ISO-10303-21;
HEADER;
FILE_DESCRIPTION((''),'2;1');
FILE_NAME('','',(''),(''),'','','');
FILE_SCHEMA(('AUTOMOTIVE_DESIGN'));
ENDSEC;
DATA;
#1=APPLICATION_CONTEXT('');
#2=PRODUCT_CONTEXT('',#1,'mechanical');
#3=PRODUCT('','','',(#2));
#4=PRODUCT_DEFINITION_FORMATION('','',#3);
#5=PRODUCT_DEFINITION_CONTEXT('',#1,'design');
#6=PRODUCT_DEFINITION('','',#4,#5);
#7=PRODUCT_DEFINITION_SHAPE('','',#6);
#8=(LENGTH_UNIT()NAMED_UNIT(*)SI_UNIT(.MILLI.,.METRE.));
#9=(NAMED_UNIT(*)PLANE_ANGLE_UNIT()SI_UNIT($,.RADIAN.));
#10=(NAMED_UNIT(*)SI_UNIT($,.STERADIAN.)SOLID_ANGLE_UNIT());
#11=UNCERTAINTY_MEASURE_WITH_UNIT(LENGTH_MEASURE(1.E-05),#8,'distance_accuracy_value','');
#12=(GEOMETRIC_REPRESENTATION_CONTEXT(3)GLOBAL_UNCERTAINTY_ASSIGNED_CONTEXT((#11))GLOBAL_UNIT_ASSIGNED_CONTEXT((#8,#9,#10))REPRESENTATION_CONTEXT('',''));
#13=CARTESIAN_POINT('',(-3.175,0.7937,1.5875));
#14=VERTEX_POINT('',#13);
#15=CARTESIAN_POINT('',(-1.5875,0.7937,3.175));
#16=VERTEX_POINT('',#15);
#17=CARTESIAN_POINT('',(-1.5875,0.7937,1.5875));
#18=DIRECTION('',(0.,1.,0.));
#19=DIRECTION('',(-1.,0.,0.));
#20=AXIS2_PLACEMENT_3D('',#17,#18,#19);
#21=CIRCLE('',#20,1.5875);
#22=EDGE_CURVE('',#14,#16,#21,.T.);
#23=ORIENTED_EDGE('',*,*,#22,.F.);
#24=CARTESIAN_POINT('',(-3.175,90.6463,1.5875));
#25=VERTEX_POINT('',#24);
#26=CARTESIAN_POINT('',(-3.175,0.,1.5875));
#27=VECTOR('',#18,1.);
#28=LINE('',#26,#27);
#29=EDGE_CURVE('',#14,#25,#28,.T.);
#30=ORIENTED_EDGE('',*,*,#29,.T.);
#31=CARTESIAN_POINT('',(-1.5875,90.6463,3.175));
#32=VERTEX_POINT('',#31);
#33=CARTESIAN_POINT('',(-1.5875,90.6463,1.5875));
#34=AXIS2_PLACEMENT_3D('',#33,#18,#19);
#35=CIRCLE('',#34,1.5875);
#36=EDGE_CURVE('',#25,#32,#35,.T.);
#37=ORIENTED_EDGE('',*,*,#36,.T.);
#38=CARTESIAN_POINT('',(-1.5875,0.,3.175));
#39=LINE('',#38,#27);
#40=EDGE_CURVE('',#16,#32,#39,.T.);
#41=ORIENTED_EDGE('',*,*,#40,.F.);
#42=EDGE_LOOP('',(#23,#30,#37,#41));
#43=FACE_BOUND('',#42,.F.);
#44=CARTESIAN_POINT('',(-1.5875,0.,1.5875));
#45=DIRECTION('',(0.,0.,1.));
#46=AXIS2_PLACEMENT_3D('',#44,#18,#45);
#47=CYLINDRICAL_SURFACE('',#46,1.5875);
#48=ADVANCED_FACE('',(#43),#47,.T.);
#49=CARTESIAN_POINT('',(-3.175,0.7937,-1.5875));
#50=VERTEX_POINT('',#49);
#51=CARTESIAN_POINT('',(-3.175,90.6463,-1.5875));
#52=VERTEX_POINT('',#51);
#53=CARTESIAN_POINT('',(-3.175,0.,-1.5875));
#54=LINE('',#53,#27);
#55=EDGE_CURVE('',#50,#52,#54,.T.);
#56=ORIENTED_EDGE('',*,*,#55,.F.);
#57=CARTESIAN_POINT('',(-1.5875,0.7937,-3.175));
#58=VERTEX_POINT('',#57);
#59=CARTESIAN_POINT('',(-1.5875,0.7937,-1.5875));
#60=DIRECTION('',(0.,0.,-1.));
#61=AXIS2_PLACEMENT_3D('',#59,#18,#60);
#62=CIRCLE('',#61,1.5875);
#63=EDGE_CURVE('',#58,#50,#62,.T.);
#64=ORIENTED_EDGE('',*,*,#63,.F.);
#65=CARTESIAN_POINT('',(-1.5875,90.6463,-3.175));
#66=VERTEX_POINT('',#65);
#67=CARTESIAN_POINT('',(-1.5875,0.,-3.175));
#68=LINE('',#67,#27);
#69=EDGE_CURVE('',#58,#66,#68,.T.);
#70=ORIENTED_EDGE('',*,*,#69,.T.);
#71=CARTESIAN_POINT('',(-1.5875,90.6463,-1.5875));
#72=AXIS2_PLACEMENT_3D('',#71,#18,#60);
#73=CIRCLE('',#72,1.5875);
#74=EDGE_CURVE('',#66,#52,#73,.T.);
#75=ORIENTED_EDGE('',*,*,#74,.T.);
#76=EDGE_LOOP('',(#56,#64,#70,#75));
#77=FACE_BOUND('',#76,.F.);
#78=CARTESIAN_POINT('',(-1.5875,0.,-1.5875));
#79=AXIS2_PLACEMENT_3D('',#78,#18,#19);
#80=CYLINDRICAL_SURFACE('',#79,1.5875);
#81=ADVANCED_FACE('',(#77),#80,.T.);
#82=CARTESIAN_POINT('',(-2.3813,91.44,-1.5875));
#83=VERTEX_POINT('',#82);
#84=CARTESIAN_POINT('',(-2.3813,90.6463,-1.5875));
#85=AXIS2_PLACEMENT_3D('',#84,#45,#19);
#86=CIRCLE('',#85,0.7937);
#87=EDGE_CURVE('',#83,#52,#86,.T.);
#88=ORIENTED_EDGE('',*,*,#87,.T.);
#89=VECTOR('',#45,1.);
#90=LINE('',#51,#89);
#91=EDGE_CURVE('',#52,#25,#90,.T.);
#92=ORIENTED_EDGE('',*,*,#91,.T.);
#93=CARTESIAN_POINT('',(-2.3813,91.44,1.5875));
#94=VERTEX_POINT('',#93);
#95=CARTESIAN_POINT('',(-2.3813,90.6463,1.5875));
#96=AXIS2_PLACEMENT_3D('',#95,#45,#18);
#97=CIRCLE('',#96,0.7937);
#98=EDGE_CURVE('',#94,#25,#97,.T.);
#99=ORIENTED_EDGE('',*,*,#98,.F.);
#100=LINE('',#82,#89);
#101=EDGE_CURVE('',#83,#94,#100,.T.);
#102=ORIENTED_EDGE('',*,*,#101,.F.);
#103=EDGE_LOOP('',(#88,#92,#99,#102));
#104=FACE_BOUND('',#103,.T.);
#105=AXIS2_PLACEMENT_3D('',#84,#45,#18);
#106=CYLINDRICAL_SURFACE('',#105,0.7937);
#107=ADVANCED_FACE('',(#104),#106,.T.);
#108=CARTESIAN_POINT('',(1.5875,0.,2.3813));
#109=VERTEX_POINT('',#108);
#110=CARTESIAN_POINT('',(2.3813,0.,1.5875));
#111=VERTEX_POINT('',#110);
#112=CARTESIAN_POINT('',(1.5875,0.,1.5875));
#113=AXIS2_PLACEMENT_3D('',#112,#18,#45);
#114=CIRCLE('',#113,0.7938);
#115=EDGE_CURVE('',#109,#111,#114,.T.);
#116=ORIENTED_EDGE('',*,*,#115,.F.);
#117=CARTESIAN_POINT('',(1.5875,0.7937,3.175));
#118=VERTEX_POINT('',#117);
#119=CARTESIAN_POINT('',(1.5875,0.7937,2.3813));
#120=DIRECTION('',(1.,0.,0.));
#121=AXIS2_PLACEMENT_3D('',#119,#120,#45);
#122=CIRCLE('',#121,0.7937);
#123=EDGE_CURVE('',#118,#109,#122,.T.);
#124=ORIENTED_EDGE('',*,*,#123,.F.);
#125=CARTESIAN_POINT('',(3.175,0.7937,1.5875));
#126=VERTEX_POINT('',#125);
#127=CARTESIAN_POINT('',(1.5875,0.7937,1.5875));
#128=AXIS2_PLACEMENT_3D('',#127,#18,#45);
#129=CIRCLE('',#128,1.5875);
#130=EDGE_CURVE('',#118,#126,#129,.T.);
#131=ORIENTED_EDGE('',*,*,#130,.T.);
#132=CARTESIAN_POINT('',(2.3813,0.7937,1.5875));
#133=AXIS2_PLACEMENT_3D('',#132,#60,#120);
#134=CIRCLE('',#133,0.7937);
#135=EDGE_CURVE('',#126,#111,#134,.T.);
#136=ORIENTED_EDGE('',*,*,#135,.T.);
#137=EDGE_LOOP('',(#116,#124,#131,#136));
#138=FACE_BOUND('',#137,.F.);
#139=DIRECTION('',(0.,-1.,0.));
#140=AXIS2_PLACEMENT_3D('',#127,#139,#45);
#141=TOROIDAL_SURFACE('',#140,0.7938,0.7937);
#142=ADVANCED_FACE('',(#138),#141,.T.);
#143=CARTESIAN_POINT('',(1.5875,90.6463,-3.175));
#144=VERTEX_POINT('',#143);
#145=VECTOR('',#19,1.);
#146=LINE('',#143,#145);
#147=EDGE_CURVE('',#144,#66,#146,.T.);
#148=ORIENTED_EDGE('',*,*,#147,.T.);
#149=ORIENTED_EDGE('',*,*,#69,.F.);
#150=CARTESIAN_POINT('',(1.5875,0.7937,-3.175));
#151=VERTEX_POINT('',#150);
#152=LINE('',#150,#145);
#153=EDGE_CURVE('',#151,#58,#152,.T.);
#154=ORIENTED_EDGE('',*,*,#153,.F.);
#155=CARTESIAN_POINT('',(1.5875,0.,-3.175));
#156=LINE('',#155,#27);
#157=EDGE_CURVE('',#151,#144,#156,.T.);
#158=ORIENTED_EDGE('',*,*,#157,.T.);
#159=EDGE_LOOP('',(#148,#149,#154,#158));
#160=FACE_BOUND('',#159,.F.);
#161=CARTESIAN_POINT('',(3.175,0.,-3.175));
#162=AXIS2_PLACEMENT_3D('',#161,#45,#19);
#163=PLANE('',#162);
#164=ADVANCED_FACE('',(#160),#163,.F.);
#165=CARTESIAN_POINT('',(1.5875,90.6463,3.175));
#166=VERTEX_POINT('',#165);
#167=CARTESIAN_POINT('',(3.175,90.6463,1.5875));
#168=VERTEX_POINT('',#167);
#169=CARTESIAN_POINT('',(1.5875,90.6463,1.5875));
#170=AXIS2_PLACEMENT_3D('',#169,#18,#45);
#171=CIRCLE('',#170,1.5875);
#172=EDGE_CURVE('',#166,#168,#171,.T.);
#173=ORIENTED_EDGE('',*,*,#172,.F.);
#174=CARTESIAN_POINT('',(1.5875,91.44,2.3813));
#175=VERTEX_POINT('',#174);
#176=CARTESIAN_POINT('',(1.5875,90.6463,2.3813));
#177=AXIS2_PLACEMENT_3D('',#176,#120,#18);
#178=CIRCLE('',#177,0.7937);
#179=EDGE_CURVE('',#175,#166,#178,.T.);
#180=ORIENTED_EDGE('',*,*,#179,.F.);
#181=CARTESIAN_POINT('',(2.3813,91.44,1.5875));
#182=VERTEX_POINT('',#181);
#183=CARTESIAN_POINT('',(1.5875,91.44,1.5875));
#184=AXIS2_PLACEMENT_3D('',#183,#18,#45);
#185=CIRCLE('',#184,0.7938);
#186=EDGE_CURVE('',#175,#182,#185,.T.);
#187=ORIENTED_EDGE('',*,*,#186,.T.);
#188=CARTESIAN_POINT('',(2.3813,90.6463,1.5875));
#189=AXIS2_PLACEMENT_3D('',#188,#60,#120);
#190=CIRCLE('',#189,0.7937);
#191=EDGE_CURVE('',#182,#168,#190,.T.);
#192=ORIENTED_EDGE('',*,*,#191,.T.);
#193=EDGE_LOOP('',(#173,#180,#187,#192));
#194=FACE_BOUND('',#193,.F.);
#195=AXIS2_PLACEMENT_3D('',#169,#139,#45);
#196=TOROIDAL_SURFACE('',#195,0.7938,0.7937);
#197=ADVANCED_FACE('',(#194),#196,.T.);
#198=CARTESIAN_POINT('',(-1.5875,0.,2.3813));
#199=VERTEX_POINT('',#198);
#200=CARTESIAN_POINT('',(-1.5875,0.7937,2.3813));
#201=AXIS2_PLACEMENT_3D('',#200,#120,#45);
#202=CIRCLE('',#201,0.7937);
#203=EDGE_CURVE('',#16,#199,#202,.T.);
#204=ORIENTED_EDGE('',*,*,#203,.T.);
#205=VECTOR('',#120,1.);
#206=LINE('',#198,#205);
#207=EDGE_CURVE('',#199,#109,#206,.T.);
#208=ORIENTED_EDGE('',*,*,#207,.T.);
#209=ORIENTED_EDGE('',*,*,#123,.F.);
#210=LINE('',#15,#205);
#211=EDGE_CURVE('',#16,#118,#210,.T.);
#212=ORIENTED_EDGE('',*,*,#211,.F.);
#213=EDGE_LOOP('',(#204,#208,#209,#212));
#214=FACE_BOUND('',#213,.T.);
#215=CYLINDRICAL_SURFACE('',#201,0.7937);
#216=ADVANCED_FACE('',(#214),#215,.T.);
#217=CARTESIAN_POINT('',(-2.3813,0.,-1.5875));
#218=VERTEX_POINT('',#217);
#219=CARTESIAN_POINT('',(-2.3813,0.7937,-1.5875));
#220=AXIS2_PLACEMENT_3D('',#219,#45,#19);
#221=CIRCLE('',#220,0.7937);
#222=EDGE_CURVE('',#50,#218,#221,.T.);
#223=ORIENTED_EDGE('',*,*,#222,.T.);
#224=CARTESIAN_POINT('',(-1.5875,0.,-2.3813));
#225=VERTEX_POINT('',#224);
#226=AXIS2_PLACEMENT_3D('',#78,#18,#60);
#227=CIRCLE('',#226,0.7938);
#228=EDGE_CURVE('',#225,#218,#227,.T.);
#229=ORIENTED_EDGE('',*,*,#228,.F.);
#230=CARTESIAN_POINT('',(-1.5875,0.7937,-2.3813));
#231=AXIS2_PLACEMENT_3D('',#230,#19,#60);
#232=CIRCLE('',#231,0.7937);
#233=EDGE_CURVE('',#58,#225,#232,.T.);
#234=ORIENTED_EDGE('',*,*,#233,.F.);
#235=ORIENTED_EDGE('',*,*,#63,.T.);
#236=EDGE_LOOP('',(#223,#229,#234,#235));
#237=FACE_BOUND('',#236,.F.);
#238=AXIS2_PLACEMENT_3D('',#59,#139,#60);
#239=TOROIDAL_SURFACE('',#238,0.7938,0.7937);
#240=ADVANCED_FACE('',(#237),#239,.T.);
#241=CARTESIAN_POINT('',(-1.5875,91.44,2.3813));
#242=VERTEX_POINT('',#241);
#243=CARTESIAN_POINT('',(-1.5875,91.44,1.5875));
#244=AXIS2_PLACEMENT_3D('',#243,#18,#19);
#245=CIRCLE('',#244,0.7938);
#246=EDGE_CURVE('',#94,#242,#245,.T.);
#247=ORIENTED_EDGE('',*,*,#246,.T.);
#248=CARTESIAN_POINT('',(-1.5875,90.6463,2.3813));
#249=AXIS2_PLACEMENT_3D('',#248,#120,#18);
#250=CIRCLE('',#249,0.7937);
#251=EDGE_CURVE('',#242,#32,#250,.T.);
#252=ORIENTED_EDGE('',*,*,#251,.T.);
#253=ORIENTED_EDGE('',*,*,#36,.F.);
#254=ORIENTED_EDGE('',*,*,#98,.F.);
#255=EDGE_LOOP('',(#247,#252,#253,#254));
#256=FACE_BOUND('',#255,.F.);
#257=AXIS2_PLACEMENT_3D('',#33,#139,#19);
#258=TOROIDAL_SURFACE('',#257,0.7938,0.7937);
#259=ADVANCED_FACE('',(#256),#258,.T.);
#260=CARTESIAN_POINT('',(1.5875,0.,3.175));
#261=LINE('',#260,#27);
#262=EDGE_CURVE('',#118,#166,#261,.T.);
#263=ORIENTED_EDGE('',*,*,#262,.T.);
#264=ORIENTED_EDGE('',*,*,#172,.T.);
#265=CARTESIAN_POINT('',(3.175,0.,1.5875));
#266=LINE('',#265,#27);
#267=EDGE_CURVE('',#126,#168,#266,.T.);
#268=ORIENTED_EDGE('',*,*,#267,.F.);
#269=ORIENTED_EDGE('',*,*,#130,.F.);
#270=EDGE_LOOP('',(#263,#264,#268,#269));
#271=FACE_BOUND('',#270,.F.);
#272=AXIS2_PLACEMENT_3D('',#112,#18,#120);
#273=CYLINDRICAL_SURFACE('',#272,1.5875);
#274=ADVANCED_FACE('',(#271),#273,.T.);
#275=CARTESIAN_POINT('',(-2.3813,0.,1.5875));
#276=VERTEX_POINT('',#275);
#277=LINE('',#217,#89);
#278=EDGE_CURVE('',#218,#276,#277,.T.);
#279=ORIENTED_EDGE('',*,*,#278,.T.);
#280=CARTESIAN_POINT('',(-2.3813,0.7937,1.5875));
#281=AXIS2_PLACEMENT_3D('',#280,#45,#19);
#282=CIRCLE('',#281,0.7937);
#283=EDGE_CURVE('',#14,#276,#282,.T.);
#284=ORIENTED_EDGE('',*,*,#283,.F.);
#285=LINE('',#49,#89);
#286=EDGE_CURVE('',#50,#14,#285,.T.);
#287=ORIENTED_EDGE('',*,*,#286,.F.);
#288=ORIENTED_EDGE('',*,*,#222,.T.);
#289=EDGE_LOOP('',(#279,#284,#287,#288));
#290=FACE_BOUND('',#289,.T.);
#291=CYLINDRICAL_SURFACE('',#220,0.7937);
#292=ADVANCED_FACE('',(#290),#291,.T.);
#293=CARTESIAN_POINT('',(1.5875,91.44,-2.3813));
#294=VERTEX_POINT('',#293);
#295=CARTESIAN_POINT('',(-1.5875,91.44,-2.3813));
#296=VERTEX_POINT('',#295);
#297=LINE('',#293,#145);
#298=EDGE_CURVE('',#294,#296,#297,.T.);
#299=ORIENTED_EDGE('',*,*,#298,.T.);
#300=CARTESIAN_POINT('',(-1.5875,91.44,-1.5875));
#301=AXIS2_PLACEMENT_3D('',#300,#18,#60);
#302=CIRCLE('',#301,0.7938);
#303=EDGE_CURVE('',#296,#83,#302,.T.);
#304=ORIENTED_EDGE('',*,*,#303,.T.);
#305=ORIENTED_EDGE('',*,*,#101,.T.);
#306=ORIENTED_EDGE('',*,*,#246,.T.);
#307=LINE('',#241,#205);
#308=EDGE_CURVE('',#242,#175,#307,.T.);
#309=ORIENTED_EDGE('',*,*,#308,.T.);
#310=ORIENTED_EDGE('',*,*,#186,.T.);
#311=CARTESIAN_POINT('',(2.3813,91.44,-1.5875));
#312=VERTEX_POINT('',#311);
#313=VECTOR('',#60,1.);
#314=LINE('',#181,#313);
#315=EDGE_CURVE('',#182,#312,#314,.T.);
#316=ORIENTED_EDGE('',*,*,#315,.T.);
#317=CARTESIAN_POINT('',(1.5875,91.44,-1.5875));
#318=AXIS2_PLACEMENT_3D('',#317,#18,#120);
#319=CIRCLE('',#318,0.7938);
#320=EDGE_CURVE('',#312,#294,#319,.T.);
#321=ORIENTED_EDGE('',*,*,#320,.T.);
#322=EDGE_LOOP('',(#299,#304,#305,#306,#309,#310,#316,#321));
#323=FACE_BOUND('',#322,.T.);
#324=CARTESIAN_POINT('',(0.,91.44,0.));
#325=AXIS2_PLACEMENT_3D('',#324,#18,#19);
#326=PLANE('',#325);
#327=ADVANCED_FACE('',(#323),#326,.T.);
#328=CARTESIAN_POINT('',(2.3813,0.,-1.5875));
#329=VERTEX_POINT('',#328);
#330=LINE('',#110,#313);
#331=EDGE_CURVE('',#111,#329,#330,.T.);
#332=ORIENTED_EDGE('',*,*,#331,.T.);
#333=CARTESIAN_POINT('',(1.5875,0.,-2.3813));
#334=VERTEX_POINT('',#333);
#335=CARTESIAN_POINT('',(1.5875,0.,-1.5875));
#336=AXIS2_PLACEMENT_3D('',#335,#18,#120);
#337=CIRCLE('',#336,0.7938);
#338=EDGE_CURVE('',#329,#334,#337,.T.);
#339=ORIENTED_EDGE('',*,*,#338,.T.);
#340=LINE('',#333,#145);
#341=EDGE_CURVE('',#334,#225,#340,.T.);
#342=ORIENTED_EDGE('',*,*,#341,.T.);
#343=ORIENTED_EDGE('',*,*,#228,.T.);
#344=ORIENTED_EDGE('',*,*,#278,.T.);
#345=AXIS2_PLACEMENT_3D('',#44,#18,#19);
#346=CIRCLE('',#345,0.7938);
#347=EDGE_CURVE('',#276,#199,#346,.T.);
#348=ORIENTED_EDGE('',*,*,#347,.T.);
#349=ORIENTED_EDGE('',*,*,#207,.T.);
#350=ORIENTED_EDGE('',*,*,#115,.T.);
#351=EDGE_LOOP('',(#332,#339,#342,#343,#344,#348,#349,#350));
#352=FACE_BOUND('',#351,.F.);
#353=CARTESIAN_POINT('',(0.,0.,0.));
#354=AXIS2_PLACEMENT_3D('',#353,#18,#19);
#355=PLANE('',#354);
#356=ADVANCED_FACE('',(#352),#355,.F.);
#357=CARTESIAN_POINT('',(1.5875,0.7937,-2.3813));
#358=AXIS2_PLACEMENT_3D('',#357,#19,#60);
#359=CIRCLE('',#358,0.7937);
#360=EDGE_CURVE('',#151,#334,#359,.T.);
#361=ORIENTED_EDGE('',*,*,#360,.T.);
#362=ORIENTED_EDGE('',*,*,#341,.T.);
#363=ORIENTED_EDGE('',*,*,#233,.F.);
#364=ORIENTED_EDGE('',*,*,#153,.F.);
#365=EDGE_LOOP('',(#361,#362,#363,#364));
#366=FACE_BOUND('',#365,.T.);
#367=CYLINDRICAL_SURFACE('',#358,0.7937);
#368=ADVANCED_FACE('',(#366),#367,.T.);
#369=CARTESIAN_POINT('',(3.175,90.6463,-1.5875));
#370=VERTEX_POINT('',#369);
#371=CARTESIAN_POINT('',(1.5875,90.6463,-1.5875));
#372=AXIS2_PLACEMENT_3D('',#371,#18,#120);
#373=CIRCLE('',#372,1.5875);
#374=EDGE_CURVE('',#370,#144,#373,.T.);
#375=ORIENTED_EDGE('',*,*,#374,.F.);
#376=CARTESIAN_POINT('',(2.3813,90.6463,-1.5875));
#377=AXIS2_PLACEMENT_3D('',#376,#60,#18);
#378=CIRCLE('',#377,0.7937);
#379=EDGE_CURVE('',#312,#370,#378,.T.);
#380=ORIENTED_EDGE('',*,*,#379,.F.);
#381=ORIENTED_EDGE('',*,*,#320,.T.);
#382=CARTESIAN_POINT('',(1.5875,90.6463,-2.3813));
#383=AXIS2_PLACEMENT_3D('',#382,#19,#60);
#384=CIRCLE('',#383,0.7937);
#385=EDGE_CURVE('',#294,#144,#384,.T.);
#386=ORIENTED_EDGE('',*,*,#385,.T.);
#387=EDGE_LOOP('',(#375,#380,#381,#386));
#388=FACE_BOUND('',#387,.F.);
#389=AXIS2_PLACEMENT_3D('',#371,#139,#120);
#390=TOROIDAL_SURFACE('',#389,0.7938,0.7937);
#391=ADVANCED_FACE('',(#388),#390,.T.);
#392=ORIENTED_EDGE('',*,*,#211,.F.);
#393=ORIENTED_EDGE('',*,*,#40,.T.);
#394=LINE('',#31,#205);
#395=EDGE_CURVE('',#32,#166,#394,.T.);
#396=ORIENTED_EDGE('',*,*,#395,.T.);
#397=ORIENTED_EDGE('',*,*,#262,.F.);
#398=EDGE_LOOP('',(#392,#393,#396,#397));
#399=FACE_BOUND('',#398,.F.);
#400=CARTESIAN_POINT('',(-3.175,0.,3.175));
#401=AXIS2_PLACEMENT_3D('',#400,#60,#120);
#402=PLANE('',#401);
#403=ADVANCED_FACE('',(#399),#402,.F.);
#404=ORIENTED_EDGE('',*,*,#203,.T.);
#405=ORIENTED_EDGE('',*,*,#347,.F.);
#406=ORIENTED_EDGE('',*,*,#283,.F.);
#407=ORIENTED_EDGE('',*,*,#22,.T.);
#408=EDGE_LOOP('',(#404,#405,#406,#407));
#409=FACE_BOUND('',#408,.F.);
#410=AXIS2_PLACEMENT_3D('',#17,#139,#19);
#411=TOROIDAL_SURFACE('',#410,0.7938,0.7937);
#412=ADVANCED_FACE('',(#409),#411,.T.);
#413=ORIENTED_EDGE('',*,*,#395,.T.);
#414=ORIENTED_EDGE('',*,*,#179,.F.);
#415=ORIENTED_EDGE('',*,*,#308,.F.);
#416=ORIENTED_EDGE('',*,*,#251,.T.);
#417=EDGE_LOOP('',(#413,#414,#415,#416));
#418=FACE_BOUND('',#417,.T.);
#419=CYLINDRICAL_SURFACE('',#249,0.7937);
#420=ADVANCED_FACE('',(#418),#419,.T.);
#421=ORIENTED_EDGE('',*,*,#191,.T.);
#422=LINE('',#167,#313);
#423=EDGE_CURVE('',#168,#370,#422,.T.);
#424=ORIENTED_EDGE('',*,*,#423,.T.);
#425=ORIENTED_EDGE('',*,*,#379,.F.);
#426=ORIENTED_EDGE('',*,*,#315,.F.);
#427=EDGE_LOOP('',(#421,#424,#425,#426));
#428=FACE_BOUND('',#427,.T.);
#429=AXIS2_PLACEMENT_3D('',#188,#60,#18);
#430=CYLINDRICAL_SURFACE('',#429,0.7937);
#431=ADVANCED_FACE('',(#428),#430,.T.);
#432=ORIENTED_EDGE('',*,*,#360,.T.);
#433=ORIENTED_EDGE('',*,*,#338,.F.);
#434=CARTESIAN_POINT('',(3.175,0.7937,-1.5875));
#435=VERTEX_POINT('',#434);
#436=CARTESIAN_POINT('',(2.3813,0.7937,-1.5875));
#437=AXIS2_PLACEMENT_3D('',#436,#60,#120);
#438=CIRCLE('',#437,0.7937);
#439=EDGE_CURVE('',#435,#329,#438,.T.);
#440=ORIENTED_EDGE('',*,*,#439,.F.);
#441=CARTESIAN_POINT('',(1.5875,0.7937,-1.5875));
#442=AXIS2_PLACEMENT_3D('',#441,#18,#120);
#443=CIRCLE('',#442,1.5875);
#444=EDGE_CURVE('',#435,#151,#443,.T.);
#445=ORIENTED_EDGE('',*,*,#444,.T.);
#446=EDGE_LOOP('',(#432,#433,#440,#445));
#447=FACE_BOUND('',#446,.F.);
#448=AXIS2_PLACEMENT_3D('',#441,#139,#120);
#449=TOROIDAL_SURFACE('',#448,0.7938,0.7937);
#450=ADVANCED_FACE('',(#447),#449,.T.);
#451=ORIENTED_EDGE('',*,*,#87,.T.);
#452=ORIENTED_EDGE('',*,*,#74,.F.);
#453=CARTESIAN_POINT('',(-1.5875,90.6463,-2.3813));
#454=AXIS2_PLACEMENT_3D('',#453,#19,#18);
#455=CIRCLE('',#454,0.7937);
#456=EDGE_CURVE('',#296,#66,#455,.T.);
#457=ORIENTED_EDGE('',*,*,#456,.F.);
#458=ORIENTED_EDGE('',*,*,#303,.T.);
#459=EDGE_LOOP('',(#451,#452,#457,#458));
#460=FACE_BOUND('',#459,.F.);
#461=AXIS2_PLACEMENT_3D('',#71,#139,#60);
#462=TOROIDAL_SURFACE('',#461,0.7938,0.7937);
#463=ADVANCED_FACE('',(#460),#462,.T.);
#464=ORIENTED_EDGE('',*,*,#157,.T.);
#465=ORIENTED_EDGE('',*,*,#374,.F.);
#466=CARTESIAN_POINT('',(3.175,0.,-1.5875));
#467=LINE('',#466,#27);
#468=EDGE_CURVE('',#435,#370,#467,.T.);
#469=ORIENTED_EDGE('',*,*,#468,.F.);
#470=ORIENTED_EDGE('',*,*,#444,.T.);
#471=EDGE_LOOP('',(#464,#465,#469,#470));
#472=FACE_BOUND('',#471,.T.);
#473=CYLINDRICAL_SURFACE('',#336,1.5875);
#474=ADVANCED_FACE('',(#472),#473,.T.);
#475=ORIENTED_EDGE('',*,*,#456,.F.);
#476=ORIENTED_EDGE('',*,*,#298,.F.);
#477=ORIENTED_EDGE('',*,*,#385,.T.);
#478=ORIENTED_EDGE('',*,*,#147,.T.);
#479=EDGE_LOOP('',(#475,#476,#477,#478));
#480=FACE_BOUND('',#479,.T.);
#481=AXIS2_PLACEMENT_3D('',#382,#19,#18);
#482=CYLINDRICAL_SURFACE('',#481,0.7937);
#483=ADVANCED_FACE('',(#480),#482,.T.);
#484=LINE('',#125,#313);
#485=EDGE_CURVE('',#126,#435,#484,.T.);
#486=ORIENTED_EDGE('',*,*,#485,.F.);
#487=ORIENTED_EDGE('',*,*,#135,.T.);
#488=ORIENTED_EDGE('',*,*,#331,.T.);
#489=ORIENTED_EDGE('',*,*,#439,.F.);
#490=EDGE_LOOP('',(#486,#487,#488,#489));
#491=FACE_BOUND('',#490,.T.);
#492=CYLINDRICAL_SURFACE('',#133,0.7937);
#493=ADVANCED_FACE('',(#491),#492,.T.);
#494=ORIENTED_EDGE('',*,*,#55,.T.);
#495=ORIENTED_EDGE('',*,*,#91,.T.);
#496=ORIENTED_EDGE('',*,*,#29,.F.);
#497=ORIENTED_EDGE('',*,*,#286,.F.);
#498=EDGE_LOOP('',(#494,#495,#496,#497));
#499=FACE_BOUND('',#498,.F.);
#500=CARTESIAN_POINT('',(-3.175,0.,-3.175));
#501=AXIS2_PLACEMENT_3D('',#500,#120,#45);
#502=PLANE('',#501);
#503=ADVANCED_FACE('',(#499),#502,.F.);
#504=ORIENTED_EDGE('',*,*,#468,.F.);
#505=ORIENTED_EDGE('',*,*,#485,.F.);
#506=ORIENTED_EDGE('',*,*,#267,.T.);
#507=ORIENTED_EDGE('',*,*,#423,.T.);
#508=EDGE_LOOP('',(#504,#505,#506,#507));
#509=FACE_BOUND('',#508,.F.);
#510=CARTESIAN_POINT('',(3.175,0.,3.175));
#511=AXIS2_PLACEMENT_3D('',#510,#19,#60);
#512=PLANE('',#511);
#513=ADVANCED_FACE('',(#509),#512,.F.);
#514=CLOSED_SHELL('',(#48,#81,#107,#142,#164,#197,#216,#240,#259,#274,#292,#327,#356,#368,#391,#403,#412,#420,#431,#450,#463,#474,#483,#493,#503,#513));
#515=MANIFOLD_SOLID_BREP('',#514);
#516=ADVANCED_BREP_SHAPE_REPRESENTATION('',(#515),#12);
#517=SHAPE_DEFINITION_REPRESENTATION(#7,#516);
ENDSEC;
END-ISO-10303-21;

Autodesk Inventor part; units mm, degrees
ref_plane "YZ Plane" through (0, 0, 0) normal (1, 0, 0) x (0, 1, 0)
ref_plane "XZ Plane" through (0, 0, 0) normal (0, 1, 0) x (-1, 0, 0)
ref_plane "XY Plane" through (0, 0, 0) normal (0, 0, 1) x (1, 0, 0)
sketch "Sketch1" plane through (0, 0, 0) normal (0, 1, 0) x (-1, 0, 0)
  line L0 (-3.175, -3.175) -> (3.175, -3.175)
  line L1 (3.175, -3.175) -> (3.175, 3.175)
  line L2 (3.175, 3.175) -> (-3.175, 3.175)
  line L3 (-3.175, 3.175) -> (-3.175, -3.175)
  line L4 (-3.175, -3.175) -> (3.175, 3.175) construction
  line L5 (3.175, -3.175) -> (-3.175, 3.175) construction
  point P0 (0, 0)
  dimension "d2" = 6.35
  dimension "d3" = 6.35
extrude "Extrusion1" add sketch "Sketch1" along normal blind 91.44
fillet "Fillet1" radius 1.5875 4 edges at (3.175, 45.72, 3.175) (3.175, 45.72, -3.175) (-3.175, 45.72, -3.175) (-3.175, 45.72, 3.175)
fillet "Fillet2" radius 0.7937 16 edges at (3.175, 0, 0) (2.71, 0, -2.71) (0, 0, -3.175) (-2.71, 0, -2.71) (-3.175, 0, 0) (-2.71, 0, 2.71) (0, 0, 3.175) (2.71, 0, 2.71) (0, 91.44, 3.175) (-2.71, 91.44, 2.71) (-3.175, 91.44, 0) (-2.71, 91.44, -2.71) (0, 91.44, -3.175) (2.71, 91.44, -2.71) (3.175, 91.44, 0) (2.71, 91.44, 2.71)
properties part number "wedgea" material "Stainless Steel"
